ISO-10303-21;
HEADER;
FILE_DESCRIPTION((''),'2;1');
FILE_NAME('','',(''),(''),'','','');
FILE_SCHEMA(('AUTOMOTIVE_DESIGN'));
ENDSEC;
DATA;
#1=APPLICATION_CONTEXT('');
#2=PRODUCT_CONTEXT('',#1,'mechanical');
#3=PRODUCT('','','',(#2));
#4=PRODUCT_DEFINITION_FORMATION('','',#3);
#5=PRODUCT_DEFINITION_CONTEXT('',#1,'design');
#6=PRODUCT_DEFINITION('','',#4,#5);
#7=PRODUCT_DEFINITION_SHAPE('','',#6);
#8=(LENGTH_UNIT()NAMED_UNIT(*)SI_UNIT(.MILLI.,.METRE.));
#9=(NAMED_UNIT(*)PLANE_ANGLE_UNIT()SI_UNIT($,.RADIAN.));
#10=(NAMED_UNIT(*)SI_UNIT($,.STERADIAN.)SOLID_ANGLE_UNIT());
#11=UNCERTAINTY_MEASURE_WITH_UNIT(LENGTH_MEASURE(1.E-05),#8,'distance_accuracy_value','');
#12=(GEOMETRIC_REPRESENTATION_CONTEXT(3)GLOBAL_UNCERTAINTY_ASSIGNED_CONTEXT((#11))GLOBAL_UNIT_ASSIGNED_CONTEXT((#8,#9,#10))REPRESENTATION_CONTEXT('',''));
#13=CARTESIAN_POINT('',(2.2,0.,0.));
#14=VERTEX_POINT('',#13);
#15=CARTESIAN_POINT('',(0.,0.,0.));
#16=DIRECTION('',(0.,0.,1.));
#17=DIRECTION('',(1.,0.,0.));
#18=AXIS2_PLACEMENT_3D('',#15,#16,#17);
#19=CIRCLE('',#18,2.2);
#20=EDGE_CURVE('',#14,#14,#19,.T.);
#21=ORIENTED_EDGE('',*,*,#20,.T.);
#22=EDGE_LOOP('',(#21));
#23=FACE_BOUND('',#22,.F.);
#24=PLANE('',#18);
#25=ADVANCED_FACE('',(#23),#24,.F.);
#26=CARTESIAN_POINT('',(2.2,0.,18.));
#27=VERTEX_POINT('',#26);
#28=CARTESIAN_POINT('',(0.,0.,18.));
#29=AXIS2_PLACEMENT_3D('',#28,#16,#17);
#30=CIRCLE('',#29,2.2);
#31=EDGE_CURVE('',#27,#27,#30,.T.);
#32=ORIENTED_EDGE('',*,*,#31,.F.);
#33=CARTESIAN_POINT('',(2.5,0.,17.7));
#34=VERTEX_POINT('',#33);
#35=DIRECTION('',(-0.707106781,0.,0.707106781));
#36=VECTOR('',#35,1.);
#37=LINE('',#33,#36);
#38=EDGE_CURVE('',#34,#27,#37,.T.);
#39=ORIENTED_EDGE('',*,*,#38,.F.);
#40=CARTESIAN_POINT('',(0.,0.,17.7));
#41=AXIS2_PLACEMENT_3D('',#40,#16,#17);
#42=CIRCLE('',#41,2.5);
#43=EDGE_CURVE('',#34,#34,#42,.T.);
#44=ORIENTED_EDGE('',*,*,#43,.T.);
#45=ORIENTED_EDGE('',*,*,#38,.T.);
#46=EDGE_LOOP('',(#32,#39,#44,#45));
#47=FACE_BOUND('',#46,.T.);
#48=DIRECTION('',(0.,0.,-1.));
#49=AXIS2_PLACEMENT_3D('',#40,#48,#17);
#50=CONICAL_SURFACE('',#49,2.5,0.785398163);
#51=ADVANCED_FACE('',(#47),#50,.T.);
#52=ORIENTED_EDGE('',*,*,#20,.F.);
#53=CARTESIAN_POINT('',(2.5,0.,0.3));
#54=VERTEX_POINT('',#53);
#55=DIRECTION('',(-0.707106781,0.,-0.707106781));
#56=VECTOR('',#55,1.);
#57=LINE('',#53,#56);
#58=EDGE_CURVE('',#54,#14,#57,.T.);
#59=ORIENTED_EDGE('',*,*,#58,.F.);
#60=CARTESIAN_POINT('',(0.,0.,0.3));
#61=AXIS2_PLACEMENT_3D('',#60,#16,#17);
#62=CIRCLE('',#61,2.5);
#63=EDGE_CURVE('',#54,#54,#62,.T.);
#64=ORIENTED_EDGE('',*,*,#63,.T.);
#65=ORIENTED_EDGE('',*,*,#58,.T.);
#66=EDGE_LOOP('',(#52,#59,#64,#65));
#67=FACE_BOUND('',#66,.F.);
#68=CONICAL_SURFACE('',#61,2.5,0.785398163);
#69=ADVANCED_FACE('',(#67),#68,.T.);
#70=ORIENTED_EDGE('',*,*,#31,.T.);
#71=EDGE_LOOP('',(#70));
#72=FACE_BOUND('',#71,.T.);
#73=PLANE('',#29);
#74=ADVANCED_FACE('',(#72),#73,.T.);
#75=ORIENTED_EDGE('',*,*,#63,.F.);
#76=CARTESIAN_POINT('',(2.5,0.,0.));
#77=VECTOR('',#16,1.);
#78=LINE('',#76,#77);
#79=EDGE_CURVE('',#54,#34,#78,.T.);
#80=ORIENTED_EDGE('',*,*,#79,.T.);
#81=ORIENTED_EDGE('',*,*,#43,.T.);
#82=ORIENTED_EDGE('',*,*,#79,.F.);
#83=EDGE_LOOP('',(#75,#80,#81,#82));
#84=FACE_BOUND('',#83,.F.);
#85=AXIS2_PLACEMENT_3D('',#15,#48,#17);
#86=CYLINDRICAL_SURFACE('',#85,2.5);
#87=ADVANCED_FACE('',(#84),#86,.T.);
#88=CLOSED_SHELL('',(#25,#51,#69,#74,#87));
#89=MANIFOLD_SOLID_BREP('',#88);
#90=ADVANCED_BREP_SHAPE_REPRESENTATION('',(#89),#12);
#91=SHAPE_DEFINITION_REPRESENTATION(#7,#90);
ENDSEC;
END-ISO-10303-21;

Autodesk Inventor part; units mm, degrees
ref_plane "YZ Plane" through (0, 0, 0) normal (1, 0, 0) x (0, 1, 0)
ref_plane "XZ Plane" through (0, 0, 0) normal (0, 1, 0) x (-1, 0, 0)
ref_plane "XY Plane" through (0, 0, 0) normal (0, 0, 1) x (1, 0, 0)
sketch "Sketch1" plane through (0, 0, 0) normal (0, 0, 1) x (1, 0, 0)
  circle A0 centre (0, 0) radius 2.5
  dimension "d0" = 5
extrude "Extrusion1" add sketch "Sketch1" along normal blind 18
chamfer "Chamfer1" distance 0.3 angle 45 2 edges at (-2.5, 0, 18) (-2.5, 0, 0)
properties part number "walekpodkolonapinajace"
